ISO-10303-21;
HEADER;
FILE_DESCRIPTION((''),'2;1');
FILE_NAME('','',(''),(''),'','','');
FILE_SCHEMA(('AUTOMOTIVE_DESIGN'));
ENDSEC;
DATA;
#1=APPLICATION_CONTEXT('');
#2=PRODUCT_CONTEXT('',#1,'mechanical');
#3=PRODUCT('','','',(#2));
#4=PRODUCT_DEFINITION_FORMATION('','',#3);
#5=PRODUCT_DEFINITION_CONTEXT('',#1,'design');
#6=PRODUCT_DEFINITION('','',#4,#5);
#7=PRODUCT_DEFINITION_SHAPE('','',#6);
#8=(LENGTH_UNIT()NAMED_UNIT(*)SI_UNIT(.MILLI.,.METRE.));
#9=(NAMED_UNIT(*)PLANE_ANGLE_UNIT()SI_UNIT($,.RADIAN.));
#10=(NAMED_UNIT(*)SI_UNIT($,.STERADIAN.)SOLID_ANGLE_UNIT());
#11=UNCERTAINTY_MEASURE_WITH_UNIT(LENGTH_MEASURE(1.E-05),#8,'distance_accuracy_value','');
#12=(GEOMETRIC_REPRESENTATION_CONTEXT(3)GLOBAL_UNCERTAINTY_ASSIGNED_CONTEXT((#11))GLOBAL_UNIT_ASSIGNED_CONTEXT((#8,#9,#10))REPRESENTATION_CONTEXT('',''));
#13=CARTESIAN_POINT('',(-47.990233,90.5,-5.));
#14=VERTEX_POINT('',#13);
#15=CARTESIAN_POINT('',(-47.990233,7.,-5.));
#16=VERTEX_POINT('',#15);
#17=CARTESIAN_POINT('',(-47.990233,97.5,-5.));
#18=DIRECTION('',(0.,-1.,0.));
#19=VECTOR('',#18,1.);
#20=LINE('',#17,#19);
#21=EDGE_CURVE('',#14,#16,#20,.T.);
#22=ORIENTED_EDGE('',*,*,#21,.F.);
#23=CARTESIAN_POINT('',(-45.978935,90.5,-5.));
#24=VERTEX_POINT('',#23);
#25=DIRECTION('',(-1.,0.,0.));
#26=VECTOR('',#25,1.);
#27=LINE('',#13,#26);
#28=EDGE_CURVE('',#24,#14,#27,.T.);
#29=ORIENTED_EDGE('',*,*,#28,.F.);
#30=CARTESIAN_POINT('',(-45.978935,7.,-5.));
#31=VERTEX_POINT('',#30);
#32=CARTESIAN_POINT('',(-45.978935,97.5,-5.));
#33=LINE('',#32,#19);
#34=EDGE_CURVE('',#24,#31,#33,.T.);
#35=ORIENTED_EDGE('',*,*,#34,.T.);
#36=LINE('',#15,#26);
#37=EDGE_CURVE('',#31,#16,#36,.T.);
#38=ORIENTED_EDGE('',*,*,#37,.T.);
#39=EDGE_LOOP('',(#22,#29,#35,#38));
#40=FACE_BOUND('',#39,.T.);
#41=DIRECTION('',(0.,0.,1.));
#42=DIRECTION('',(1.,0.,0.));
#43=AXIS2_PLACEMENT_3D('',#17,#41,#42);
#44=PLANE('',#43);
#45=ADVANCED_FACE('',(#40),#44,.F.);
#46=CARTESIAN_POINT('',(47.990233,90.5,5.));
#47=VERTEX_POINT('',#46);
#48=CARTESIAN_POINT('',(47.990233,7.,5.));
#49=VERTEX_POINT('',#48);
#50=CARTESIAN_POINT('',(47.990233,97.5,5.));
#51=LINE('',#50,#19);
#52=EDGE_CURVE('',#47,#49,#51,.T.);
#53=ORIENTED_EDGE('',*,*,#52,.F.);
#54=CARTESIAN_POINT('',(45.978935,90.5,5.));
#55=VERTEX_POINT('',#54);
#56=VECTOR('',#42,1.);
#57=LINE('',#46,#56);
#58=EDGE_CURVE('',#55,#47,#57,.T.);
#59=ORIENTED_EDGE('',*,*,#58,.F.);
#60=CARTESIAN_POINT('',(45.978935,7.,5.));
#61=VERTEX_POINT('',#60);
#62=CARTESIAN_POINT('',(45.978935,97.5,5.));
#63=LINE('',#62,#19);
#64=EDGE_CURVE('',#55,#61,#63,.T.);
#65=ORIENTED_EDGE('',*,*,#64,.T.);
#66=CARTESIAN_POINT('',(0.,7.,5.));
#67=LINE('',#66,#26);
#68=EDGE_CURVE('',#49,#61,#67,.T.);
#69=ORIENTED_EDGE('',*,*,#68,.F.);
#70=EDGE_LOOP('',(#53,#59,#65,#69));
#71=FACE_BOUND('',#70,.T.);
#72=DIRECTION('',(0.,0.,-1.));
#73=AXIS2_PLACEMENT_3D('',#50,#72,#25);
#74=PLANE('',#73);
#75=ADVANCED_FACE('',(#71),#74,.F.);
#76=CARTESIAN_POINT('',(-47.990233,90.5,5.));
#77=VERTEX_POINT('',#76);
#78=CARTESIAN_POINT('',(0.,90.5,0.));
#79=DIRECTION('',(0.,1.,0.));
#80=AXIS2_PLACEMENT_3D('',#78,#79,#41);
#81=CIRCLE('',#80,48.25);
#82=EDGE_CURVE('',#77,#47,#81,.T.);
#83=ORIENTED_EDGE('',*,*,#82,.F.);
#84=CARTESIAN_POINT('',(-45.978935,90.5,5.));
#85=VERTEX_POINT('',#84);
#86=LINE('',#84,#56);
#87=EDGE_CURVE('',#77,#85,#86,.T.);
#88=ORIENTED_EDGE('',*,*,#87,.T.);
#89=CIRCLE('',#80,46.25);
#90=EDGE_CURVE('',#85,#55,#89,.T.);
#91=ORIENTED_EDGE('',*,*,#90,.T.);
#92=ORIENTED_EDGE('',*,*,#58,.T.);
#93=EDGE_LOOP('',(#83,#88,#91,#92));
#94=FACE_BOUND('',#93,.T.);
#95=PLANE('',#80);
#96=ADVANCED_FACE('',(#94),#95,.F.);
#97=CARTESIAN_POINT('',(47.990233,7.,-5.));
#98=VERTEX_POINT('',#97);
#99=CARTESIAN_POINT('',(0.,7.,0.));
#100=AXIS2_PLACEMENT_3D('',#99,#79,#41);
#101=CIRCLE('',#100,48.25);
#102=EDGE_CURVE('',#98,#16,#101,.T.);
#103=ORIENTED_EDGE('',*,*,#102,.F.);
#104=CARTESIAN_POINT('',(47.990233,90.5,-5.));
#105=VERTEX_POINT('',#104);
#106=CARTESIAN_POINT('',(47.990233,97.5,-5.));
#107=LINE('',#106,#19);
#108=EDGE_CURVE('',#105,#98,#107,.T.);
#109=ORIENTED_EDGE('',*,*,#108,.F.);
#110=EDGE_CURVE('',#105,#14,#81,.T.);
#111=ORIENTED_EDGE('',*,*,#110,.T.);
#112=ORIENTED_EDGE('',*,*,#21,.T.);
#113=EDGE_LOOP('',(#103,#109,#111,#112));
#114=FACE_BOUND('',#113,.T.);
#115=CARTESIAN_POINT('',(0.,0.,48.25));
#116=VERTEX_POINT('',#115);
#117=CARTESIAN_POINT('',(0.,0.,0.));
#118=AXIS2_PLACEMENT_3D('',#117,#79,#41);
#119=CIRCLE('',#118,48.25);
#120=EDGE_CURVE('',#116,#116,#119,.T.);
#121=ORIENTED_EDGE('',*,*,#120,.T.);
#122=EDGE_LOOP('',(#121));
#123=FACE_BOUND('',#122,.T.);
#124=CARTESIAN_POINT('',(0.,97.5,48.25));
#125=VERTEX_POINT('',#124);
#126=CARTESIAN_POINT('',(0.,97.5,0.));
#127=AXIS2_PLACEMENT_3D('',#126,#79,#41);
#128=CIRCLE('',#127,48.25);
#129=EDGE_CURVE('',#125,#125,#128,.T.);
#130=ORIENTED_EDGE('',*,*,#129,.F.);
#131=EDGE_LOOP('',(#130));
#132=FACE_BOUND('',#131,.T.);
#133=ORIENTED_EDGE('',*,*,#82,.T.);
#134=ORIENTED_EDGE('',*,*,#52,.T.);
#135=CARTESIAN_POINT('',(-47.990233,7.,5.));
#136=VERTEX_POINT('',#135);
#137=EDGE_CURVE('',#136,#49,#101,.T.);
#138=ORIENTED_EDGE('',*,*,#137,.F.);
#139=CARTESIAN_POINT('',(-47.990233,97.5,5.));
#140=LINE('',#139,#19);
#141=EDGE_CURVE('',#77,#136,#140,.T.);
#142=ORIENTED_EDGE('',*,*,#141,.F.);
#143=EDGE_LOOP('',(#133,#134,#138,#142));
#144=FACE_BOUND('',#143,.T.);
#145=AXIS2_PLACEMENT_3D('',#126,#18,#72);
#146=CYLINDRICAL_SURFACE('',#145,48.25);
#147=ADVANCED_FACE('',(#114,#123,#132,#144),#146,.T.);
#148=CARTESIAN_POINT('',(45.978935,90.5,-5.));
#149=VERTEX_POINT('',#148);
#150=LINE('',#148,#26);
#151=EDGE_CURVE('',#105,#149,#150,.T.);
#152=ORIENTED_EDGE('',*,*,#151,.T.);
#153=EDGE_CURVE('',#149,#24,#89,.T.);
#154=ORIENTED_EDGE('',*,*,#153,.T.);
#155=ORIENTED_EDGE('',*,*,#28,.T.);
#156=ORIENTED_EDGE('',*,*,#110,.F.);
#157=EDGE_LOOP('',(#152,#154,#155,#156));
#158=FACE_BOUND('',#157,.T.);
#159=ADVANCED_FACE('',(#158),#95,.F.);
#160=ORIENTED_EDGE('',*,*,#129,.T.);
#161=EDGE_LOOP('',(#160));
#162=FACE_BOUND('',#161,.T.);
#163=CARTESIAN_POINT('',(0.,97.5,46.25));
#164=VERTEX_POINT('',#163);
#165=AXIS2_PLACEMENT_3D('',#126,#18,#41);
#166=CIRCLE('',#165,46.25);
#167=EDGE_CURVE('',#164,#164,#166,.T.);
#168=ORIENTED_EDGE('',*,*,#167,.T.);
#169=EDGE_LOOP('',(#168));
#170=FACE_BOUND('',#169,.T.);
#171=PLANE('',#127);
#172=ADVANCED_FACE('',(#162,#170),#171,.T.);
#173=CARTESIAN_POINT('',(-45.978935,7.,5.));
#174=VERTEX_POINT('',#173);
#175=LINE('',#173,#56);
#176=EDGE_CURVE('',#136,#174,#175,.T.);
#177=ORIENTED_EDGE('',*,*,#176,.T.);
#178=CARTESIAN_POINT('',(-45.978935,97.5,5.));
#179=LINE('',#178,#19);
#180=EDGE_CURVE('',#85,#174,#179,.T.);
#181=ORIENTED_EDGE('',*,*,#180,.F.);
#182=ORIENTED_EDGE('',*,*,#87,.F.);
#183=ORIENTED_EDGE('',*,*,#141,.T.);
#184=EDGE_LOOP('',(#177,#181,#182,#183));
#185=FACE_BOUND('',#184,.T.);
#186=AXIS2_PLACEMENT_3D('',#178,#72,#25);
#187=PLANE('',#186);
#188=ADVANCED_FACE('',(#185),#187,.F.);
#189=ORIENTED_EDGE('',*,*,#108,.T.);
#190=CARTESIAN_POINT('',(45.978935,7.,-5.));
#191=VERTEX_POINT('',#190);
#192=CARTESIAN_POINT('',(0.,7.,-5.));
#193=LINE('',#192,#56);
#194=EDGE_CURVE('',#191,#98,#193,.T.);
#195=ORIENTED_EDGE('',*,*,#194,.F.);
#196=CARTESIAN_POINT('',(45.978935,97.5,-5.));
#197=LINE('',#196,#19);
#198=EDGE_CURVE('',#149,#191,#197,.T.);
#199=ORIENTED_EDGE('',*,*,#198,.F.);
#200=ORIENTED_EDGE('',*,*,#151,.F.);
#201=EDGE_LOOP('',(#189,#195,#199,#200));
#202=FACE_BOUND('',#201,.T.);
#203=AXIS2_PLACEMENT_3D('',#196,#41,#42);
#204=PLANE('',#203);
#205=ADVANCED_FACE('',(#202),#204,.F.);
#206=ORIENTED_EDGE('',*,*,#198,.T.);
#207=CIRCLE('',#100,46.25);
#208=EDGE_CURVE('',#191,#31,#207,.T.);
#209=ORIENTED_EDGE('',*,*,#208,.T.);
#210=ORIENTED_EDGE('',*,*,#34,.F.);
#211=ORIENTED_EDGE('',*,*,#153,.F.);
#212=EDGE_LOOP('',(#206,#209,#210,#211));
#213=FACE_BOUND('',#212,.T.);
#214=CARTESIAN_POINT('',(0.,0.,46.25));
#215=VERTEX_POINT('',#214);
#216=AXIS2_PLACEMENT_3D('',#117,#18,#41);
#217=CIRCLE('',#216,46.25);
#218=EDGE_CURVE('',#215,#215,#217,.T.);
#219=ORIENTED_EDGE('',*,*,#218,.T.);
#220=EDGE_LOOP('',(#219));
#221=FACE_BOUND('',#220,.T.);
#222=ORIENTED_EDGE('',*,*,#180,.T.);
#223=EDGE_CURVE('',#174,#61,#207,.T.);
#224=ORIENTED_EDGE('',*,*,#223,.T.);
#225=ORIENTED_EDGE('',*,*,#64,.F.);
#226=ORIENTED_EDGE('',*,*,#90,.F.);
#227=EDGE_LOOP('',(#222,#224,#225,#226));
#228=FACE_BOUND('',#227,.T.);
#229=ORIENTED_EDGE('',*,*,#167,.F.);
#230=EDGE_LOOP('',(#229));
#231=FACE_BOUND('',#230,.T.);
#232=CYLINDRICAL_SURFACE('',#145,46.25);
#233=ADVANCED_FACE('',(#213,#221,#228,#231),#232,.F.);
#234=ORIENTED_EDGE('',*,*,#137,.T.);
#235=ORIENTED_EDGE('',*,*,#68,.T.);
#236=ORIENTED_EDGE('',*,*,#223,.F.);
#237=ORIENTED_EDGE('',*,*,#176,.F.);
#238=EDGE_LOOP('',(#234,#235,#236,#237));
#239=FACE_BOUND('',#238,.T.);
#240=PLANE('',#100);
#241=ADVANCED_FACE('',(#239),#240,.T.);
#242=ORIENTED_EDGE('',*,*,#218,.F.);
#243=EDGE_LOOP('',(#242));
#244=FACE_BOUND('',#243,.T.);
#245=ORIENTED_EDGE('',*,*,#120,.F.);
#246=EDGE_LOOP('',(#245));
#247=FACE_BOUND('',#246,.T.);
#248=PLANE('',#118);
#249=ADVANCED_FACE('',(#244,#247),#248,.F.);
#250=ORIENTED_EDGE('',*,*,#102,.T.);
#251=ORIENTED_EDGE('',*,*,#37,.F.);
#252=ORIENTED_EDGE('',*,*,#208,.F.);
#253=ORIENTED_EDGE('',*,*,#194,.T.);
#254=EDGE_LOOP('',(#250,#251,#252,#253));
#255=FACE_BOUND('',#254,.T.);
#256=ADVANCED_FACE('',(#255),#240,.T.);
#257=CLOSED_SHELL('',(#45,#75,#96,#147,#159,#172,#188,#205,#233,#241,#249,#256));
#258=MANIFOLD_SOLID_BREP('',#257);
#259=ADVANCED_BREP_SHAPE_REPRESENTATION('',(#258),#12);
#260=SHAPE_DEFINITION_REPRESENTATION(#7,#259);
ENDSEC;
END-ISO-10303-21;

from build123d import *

# Parameters (mm, degrees)
BOSS_EXTRUDE1_DEPTH   = 97.5
BOSS_EXTRUDE1_2_DEPTH = 97.5
SKETCH2_R             = 48.25
SKETCH2_R_2           = 46.25
BOSS_EXTRUDE2_DEPTH   = 7
BOSS_EXTRUDE3_START   = -7
SKETCH3_R             = 48.25
SKETCH3_R_2           = 46.25
BOSS_EXTRUDE3_DEPTH   = 7


with BuildPart() as part:
    # Sketch1 → Boss-Extrude1 (new body)
    with BuildSketch(Plane(origin=(0, 0, 0), x_dir=(1, 0, 0), z_dir=(0, 1, 0))):
        with BuildLine():
            Line((-47.990233381, 5), (-45.978935394, 5))
            ThreePointArc((-45.978935394, 5), (-46.25, 0), (-45.978935394, -5))
            Line((-45.978935394, -5), (-47.990233381, -5))
            ThreePointArc((-47.990233381, -5), (-48.25, 0), (-47.990233381, 5))
        make_face()
    extrude(amount=BOSS_EXTRUDE1_DEPTH)



with BuildPart() as body_2:
    # Sketch1 → Boss-Extrude1 2 (new body)
    with BuildSketch(Plane(origin=(0, 0, 0), x_dir=(1, 0, 0), z_dir=(0, 1, 0))):
        with BuildLine():
            Line((47.990233381, -5), (45.978935394, -5))
            ThreePointArc((45.978935394, -5), (46.25, 0), (45.978935394, 5))
            Line((45.978935394, 5), (47.990233381, 5))
            ThreePointArc((47.990233381, 5), (48.25, 0), (47.990233381, -5))
        make_face()
    extrude(amount=BOSS_EXTRUDE1_2_DEPTH)


with BuildPart() as part_1:
    add(part.part)

    add(body_2.part)  # Boss-Extrude2 merges body 2
    # Sketch2 → Boss-Extrude2 (add)
    with BuildSketch(Plane(origin=(0, 0, 0), x_dir=(1, 0, 0), z_dir=(0, 1, 0))):
        with Locations(Location((0, 0, 0), (0, 0, 5.94806464))):
            Circle(SKETCH2_R)
        with Locations(Location((0, 0, 0), (0, 0, 173.793732249))):
            Circle(SKETCH2_R_2, mode=Mode.SUBTRACT)
    extrude(amount=BOSS_EXTRUDE2_DEPTH)

    # Sketch3 → Boss-Extrude3 (add)
    with BuildSketch(Plane(origin=(0, 97.5, 0), x_dir=(1, 0, 0), z_dir=(0, 1, 0)).offset(BOSS_EXTRUDE3_START)):
        with Locations(Location((0, 0, 0), (0, 0, 270))):
            Circle(SKETCH3_R)
        with Locations(Location((0, 0, 0), (0, 0, 270))):
            Circle(SKETCH3_R_2, mode=Mode.SUBTRACT)
    extrude(amount=BOSS_EXTRUDE3_DEPTH)


solid = part_1.part
